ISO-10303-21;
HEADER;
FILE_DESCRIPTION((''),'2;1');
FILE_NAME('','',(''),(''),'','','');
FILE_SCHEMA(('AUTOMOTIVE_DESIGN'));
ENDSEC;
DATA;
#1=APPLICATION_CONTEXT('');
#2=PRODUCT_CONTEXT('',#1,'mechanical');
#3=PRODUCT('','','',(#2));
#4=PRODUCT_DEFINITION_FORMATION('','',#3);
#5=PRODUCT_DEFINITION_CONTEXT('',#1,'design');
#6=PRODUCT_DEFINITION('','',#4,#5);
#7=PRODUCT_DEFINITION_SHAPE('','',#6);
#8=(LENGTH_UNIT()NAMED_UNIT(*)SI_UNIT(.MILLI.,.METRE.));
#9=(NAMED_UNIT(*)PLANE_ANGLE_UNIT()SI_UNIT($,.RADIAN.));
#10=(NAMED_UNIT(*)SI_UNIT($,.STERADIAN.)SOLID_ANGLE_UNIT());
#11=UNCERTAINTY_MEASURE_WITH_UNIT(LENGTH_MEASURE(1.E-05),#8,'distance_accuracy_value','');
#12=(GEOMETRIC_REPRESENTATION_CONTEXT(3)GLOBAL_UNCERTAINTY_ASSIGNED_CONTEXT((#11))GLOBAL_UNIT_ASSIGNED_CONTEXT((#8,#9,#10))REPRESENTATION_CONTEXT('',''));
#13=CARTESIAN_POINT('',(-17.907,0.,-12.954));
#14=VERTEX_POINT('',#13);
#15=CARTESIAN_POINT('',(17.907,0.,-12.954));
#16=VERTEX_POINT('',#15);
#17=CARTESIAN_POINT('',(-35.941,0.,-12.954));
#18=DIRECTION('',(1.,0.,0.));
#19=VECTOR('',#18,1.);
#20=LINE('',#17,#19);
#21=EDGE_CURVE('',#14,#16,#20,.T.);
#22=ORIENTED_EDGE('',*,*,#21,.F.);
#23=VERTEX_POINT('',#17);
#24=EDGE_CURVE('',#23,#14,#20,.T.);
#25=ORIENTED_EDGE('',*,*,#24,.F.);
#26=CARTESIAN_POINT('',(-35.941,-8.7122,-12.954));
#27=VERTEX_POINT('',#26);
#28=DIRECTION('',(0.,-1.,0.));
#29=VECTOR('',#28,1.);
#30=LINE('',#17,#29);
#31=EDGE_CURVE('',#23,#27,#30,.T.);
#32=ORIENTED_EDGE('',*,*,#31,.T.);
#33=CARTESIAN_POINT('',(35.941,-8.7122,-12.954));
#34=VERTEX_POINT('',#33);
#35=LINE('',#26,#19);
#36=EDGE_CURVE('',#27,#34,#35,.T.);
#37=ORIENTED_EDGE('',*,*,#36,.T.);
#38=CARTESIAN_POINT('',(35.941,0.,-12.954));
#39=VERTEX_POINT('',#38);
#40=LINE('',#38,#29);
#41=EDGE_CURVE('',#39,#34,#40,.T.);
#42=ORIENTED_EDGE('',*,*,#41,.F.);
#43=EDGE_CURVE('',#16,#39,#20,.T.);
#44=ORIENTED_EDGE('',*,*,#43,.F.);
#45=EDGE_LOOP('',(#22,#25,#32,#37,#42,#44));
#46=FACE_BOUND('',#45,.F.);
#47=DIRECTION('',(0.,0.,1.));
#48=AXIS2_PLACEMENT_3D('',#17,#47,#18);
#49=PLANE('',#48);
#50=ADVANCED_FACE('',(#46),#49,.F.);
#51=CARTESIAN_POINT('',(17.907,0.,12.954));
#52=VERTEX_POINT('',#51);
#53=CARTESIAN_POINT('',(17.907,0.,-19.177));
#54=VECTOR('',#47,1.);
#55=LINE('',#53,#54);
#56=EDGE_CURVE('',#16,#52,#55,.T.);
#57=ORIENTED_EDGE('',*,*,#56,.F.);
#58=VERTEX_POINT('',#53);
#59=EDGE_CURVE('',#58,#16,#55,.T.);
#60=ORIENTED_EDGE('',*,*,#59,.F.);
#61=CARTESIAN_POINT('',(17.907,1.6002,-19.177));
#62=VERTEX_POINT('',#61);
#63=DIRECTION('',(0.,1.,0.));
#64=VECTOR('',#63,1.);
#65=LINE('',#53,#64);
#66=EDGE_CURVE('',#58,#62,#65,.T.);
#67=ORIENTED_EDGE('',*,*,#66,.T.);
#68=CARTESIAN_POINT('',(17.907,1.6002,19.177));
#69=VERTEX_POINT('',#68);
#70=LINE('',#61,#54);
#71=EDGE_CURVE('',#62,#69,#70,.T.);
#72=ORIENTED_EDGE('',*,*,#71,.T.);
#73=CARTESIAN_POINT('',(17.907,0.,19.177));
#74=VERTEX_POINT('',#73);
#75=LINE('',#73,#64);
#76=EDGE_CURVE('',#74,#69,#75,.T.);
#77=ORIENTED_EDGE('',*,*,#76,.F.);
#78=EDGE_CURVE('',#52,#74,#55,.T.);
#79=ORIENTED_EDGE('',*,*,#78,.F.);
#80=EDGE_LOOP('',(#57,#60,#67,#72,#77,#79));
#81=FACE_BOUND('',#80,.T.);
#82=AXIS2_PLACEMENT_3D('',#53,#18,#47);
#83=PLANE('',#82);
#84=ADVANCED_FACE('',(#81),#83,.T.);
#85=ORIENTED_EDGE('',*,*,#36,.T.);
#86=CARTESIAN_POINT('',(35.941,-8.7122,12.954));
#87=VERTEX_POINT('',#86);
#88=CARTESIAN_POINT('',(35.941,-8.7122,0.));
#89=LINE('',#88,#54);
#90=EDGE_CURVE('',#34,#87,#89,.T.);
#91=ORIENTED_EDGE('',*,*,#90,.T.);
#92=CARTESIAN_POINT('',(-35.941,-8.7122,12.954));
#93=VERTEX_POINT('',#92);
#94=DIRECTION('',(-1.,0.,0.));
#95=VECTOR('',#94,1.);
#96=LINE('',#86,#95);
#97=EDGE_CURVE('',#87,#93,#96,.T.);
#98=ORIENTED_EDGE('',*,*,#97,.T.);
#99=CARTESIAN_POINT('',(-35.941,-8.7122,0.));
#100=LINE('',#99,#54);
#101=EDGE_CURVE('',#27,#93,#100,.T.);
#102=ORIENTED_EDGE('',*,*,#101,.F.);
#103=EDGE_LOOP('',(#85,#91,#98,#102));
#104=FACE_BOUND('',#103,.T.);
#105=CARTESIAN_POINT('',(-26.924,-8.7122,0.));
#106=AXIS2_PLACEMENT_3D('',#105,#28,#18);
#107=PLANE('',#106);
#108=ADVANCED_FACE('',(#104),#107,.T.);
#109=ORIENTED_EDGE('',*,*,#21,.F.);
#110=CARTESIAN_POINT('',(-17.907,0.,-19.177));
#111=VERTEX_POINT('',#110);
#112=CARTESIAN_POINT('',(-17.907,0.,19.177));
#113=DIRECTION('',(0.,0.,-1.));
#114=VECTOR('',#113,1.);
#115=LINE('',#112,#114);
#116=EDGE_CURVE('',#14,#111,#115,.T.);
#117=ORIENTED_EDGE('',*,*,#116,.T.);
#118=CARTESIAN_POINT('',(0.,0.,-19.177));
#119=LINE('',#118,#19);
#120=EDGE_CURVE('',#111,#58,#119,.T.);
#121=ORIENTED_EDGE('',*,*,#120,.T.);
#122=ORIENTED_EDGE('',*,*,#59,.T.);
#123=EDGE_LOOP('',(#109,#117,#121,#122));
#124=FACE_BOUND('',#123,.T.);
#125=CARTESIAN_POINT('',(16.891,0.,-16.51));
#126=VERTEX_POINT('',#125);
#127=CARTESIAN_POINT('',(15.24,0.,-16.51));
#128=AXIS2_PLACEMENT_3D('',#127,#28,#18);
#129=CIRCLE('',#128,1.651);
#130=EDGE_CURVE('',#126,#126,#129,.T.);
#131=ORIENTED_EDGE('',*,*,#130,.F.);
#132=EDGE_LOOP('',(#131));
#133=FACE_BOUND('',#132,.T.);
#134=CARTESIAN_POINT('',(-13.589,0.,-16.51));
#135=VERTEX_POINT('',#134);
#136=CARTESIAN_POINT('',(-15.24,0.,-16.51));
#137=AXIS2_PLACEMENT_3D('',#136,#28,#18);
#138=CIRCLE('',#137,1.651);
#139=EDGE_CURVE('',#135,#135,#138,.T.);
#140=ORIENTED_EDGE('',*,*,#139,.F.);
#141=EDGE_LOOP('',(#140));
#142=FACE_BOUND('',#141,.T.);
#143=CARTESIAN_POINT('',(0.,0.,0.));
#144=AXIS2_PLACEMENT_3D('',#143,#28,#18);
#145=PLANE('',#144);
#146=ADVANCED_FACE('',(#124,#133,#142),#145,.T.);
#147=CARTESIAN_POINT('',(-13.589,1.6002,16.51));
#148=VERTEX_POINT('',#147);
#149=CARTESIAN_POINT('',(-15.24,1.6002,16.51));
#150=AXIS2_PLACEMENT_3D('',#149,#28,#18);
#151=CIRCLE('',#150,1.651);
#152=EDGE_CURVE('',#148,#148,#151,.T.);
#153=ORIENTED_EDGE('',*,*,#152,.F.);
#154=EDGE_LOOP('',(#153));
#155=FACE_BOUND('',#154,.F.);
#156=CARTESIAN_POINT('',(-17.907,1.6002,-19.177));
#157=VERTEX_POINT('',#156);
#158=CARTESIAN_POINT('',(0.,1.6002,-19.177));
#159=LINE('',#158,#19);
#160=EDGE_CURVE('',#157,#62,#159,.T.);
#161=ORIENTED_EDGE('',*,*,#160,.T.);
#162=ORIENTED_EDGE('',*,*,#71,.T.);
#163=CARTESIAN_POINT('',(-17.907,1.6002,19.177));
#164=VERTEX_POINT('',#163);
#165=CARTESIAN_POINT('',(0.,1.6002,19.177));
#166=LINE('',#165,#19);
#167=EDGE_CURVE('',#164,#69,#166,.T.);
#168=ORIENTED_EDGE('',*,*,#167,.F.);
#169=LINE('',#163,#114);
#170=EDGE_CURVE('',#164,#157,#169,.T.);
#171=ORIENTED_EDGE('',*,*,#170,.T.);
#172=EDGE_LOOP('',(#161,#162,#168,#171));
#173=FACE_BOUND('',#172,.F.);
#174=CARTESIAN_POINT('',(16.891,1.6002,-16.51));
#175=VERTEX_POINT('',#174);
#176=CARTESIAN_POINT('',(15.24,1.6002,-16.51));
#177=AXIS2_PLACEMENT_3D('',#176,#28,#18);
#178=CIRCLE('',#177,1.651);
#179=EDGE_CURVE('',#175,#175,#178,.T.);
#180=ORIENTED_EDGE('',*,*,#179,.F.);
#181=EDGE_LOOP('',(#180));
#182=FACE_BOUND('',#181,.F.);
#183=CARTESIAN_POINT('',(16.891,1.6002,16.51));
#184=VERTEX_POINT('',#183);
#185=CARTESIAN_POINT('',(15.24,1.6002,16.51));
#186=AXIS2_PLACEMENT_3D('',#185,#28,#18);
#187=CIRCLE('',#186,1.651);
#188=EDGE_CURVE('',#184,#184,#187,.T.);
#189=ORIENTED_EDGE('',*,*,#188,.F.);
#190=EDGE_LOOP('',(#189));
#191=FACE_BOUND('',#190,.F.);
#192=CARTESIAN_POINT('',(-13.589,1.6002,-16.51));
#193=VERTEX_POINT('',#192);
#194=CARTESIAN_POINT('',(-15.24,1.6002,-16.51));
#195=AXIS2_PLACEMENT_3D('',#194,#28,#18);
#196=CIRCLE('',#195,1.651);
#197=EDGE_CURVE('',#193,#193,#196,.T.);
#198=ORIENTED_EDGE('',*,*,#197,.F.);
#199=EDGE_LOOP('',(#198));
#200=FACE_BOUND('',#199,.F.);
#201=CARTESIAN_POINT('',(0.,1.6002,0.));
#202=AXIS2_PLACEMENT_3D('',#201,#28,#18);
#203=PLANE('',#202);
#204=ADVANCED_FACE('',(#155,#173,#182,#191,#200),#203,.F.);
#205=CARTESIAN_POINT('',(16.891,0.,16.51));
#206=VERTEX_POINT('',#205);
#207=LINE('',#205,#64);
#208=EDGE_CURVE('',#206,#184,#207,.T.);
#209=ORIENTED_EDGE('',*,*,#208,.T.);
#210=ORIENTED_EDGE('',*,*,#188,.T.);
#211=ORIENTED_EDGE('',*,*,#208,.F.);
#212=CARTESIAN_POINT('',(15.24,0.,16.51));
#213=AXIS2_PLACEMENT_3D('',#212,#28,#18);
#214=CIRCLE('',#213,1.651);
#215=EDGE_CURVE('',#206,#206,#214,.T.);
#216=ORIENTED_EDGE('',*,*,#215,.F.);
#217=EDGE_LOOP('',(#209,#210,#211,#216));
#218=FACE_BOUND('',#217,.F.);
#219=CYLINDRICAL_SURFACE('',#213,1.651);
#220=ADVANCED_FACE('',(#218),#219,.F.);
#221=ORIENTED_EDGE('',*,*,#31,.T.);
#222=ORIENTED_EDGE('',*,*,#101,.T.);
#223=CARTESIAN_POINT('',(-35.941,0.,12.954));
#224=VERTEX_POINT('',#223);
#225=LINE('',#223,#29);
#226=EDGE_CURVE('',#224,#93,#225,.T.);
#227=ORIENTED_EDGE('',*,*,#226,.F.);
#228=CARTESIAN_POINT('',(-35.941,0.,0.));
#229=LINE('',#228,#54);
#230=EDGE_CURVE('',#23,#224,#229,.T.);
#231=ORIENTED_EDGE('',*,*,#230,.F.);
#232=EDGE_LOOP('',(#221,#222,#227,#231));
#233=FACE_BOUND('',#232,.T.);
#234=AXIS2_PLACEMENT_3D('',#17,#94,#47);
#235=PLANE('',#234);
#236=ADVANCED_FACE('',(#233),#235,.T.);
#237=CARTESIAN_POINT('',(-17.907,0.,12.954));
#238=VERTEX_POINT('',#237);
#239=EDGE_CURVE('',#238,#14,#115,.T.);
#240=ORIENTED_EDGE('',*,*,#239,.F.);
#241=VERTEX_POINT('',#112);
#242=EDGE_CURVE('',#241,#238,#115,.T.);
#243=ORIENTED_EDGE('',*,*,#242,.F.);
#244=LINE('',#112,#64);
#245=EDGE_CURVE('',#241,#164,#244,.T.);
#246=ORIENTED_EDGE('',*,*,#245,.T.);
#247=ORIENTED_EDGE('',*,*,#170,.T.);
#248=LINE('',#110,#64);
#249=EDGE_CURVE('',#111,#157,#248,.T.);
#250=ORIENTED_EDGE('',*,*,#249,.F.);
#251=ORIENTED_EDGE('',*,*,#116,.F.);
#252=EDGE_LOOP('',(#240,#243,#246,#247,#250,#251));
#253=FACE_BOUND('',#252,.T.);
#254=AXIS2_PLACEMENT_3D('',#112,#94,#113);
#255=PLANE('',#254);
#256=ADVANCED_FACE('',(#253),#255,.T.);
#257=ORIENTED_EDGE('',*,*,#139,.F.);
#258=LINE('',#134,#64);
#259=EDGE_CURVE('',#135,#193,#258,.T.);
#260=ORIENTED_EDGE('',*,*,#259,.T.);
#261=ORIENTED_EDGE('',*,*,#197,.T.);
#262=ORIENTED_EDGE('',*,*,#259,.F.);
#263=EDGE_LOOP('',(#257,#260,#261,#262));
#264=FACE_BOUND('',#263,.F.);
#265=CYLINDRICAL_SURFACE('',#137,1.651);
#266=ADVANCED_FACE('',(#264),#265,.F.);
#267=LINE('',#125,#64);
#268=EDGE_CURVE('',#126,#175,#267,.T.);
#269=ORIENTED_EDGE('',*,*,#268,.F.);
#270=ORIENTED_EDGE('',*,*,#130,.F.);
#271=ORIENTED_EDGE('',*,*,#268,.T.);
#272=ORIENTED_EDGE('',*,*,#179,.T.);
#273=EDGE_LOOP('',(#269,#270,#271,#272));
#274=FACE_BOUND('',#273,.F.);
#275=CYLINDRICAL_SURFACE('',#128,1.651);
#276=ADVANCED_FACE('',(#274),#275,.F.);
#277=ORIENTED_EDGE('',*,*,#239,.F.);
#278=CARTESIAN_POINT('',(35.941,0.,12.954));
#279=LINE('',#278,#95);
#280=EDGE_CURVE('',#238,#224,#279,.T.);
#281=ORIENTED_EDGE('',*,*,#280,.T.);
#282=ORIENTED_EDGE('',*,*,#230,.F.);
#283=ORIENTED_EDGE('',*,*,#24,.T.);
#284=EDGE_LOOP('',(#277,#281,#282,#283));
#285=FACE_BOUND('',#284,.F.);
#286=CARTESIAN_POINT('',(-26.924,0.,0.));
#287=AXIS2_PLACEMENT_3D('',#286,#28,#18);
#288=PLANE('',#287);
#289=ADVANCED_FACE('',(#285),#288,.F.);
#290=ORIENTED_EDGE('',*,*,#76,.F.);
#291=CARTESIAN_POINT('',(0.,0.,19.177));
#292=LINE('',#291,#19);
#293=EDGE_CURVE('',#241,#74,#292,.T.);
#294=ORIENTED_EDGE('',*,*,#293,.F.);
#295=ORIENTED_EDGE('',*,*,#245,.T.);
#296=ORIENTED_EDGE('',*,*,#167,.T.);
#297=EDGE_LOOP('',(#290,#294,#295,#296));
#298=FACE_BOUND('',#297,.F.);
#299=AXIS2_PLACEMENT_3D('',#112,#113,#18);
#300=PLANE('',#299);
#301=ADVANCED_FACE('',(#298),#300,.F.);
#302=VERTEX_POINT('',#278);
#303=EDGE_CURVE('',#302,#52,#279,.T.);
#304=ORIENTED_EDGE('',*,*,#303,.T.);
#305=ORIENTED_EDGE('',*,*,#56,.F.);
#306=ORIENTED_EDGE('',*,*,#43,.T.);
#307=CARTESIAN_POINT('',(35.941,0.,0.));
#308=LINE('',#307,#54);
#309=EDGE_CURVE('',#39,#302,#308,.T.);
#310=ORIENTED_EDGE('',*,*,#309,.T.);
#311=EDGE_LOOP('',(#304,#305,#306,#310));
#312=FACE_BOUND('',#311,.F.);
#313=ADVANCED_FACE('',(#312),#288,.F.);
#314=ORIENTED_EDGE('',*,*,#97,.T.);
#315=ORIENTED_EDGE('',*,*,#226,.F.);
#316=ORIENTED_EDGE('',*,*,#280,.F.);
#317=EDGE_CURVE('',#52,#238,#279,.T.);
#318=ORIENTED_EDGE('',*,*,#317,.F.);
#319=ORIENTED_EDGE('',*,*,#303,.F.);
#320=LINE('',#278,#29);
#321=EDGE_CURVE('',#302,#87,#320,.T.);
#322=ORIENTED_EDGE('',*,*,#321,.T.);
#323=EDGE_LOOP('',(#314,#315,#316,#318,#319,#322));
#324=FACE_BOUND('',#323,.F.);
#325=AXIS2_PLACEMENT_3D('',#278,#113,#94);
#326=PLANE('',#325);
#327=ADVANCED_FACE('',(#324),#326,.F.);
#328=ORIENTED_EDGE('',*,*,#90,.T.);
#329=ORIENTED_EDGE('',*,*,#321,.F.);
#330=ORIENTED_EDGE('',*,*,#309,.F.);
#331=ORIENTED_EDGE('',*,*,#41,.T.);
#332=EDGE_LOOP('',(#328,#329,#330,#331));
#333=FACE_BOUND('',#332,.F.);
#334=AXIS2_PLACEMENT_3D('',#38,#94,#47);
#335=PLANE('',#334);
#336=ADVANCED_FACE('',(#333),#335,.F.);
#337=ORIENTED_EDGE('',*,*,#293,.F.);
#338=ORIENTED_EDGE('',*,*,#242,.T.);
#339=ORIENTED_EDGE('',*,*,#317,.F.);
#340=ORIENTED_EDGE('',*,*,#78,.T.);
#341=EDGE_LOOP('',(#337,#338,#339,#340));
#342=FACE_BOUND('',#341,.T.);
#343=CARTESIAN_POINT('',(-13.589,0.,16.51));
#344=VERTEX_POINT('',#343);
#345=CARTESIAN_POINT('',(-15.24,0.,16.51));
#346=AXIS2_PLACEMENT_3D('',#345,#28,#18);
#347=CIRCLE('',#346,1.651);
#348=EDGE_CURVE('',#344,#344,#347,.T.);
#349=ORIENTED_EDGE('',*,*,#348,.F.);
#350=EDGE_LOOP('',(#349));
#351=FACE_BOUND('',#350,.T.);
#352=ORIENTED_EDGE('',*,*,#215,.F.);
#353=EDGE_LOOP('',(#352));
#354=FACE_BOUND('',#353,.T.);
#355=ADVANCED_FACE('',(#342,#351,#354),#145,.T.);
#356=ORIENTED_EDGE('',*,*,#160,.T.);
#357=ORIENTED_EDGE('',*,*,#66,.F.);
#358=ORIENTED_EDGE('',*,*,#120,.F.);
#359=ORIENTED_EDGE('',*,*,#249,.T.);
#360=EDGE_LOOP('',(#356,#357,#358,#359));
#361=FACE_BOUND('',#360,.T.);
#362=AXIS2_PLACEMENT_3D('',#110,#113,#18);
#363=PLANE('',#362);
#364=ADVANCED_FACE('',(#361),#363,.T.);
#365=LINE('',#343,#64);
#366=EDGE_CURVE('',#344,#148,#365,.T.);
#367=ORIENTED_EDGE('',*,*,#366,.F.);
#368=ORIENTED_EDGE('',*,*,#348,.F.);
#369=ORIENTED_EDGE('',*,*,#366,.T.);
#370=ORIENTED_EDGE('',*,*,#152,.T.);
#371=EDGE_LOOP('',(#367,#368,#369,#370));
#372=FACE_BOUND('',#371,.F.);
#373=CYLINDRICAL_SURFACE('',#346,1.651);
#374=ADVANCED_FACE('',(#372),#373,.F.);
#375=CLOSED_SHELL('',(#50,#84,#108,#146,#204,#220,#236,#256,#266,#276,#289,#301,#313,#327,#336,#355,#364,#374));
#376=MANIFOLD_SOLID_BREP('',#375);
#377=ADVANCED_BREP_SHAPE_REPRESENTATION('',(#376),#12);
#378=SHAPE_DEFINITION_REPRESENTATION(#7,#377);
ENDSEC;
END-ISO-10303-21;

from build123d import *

# Parameters (mm, degrees)
F0_W     = 18.034
F0_H     = 25.908
F0_W_2   = 35.814
F1_DEPTH = 8.7122
F0_H_2   = 6.223
F0_R     = 1.651
F2_DEPTH = 1.6002


with BuildPart() as f1:
    # F0 (on Front) → F1 (new body)
    with BuildSketch(Plane.XZ):
        with Locations((-26.924, 0)):
            Rectangle(F0_W, F0_H)
        Rectangle(F0_W_2, F0_H)
        with Locations((26.924, 0)):
            Rectangle(F0_W, F0_H)
    extrude(amount=F1_DEPTH)

    # F0 (on Front) → F2 (join)
    with BuildSketch(Plane.XZ):
        Rectangle(F0_W_2, F0_H)
        with Locations((0, -16.0655)):
            Rectangle(F0_W_2, F0_H_2)
        with Locations((-15.24, -16.51)):
            Circle(F0_R, mode=Mode.SUBTRACT)
        with Locations((15.24, -16.51)):
            Circle(F0_R, mode=Mode.SUBTRACT)
        with Locations((0, 16.0655)):
            Rectangle(F0_W_2, F0_H_2)
        with Locations((-15.24, 16.51)):
            Circle(F0_R, mode=Mode.SUBTRACT)
        with Locations((15.24, 16.51)):
            Circle(F0_R, mode=Mode.SUBTRACT)
    extrude(amount=-F2_DEPTH)


solid = f1.part
